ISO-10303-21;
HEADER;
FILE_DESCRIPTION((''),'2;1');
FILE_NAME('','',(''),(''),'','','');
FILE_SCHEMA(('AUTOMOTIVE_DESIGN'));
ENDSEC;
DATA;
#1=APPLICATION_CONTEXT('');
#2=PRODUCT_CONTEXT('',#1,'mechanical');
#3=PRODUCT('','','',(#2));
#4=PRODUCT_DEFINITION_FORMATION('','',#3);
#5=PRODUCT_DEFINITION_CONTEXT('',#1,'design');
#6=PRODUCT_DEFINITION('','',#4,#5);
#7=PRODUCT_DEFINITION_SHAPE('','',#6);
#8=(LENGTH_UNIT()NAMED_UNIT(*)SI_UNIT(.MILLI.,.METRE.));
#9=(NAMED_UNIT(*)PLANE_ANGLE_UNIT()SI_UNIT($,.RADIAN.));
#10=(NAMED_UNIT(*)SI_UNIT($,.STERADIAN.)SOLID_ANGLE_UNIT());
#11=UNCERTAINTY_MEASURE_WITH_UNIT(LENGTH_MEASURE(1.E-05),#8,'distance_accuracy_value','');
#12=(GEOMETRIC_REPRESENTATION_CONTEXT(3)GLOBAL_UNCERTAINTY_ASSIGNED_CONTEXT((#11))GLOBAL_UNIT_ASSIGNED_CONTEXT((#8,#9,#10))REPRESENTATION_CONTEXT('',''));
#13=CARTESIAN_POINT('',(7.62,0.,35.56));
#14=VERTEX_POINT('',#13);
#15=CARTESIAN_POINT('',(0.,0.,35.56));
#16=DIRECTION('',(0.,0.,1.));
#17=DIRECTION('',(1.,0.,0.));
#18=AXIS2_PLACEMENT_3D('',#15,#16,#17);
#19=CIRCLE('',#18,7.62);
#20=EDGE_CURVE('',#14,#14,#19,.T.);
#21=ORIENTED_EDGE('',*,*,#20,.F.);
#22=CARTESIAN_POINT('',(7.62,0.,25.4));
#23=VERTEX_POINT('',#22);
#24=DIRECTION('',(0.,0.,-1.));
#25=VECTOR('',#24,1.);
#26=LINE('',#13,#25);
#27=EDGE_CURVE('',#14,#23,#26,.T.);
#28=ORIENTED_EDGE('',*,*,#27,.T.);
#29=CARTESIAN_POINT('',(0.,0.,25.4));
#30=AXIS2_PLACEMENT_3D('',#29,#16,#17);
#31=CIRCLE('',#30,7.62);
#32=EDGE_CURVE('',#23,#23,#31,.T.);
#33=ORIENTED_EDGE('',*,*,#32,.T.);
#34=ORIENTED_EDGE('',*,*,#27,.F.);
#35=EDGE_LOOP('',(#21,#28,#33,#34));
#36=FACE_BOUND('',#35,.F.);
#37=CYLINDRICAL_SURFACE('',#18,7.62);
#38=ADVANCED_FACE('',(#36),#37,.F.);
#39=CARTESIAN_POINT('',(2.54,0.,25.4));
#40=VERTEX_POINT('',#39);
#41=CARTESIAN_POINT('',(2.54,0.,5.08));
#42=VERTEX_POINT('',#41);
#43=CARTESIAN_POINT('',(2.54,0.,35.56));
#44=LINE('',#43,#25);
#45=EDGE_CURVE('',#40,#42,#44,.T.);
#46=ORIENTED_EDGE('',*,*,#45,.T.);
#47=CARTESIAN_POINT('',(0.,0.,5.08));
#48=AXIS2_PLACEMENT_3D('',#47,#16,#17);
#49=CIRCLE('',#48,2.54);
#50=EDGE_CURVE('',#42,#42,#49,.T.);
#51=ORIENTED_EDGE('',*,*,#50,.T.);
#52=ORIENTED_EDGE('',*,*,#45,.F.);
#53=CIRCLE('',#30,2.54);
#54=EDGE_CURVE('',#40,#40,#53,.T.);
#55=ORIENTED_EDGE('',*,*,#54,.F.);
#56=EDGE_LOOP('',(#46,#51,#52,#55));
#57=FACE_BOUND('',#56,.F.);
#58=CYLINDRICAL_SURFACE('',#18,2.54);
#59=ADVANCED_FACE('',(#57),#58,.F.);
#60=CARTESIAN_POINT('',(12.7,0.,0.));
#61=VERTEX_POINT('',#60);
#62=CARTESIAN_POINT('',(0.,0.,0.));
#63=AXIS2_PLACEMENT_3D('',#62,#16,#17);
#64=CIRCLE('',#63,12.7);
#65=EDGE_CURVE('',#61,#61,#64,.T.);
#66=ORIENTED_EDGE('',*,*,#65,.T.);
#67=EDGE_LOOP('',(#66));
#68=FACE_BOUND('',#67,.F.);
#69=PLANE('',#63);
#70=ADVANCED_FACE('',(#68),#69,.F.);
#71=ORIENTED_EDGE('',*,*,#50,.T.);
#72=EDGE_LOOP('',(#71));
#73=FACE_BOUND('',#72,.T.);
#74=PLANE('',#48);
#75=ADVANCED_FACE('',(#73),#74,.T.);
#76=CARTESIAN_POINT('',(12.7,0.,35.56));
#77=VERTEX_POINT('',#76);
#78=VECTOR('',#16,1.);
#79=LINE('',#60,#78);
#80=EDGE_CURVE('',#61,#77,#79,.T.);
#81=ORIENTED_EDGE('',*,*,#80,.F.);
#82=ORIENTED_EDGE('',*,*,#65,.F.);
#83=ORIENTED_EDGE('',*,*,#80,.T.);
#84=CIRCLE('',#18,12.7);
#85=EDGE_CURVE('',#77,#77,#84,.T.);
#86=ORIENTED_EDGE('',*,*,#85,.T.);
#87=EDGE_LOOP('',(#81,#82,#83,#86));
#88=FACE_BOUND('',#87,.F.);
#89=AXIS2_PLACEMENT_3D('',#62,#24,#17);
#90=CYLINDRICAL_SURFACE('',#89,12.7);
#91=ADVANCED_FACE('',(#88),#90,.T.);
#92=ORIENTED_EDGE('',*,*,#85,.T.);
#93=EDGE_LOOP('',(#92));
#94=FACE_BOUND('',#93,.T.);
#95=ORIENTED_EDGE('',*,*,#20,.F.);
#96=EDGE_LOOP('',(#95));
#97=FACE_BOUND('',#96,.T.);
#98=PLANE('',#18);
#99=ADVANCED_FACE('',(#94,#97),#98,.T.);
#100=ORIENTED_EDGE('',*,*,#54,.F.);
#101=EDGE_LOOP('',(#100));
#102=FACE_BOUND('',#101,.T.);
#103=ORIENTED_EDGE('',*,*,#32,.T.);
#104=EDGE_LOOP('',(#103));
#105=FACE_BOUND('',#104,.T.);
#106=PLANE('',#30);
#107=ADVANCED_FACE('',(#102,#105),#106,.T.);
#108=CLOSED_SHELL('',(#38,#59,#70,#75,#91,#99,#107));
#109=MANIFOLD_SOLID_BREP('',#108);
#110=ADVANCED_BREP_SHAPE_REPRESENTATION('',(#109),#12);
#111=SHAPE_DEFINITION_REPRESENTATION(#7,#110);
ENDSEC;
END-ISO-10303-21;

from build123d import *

# Parameters (mm, degrees)
F0_R      = 12.7
F1_DEPTH  = 35.56
F2_R      = 7.62
F2_R_2    = 2.54
F3_DEPTH  = 10.16
F3_FACE_R = 2.54
F4_DEPTH  = 30.48


with BuildPart() as f1:
    # F0 (on Top) → F1 (new body)
    with BuildSketch(Plane.XY):
        Circle(F0_R)
    extrude(amount=F1_DEPTH)

    # F2 (on face) → F3 (cut)
    with BuildSketch(Plane.XY.offset(35.56)):
        Circle(F2_R)
        Circle(F2_R_2, mode=Mode.SUBTRACT)
    extrude(amount=-F3_DEPTH, mode=Mode.SUBTRACT)

    # F3_face (on face) → F4 (cut)
    with BuildSketch(Plane.XY.offset(35.56)):
        Circle(F3_FACE_R)
    extrude(amount=-F4_DEPTH, mode=Mode.SUBTRACT)


solid = f1.part
